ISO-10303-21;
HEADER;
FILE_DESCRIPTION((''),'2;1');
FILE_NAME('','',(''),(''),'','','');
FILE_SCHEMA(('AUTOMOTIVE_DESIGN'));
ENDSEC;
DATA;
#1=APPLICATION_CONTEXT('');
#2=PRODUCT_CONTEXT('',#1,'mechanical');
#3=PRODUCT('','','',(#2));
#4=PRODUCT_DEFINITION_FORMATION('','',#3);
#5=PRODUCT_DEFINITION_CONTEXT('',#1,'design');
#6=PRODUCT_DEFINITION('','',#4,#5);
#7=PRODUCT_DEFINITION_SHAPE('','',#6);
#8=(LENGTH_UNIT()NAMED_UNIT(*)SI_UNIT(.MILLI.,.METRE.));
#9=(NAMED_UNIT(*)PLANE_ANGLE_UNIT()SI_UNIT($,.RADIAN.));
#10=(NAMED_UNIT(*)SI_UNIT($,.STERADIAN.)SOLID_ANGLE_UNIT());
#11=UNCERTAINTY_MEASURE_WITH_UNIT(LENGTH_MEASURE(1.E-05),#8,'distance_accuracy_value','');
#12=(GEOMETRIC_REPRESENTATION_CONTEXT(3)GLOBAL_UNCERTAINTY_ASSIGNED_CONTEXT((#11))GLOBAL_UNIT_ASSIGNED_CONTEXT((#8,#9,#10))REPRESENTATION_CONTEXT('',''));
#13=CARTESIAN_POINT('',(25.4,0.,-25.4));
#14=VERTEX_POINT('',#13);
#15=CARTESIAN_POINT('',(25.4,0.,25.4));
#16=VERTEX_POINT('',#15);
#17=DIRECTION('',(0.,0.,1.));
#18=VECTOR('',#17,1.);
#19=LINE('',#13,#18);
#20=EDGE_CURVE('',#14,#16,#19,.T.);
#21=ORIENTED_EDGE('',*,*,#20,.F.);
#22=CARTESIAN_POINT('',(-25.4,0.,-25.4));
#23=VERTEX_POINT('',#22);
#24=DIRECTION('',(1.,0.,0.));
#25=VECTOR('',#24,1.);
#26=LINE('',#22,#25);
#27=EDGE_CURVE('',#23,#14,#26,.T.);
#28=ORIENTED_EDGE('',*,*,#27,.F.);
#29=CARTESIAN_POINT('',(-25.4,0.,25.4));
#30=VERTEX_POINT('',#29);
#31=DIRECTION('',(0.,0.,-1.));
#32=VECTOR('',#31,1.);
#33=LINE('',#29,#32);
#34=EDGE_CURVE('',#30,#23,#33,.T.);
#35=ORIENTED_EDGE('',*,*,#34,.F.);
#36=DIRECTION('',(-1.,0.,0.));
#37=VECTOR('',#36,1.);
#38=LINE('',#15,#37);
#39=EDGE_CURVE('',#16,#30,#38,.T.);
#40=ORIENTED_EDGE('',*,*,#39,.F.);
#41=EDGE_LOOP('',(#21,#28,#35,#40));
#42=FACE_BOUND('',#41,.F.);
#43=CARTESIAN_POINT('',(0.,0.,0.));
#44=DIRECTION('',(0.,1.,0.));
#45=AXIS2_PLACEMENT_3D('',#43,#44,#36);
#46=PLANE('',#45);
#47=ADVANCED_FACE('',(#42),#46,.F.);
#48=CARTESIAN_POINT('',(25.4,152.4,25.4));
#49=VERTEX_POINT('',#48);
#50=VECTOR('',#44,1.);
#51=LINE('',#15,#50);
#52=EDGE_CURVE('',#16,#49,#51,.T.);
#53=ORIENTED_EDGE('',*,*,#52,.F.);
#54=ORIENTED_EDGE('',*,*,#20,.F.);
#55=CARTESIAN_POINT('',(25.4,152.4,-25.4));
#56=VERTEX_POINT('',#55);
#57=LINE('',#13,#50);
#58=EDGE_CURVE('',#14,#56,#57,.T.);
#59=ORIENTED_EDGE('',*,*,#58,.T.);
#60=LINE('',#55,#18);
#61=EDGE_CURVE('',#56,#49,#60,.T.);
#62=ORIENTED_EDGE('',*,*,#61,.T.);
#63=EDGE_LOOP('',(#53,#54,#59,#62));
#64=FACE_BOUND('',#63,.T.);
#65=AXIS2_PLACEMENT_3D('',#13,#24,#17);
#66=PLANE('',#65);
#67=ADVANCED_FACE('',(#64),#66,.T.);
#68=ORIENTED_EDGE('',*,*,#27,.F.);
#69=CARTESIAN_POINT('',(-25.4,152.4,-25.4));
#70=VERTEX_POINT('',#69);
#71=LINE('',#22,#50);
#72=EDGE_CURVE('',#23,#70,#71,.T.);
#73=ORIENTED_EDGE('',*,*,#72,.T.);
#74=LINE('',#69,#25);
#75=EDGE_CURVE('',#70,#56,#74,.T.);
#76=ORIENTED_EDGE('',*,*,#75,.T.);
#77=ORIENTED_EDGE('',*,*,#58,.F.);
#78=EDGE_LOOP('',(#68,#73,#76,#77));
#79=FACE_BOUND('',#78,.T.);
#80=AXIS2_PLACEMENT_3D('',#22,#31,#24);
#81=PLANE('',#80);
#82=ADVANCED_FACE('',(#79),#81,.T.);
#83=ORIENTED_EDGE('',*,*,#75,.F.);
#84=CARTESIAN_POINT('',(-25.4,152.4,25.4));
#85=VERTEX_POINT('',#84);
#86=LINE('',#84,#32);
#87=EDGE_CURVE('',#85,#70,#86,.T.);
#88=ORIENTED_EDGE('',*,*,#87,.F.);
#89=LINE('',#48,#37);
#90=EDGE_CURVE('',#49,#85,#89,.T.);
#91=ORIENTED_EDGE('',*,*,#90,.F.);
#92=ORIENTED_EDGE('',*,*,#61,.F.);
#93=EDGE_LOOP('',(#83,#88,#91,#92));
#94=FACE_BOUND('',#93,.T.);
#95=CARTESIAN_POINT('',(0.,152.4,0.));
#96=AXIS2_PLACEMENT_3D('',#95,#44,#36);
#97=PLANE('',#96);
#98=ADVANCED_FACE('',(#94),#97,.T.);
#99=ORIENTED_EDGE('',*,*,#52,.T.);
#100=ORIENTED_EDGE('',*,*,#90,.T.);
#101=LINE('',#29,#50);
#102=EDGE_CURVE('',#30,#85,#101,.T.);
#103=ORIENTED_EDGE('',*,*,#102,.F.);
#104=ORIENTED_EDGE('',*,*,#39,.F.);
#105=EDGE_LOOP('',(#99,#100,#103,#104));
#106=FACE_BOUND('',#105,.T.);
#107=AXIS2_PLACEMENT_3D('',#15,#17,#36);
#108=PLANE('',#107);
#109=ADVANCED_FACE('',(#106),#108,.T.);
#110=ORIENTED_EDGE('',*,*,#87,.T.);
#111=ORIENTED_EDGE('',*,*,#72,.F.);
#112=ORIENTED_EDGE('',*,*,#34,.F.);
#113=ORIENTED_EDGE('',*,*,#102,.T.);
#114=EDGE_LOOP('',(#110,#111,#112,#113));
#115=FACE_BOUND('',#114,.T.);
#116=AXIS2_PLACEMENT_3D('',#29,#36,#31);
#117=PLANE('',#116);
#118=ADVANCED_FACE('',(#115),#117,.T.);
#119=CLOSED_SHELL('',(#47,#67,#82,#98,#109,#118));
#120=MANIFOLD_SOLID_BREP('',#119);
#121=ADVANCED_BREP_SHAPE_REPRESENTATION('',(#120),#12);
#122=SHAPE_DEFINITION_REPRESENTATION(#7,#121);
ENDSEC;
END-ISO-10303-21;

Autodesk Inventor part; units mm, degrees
ref_plane "YZ Plane" through (0, 0, 0) normal (1, 0, 0) x (0, 1, 0)
ref_plane "XZ Plane" through (0, 0, 0) normal (0, 1, 0) x (-1, 0, 0)
ref_plane "XY Plane" through (0, 0, 0) normal (0, 0, 1) x (1, 0, 0)
sketch "Sketch1" plane through (0, 0, 0) normal (0, 1, 0) x (-1, 0, 0)
  line L0 (-25.4, 25.4) -> (25.4, 25.4)
  line L1 (25.4, 25.4) -> (25.4, -25.4)
  line L2 (25.4, -25.4) -> (-25.4, -25.4)
  line L3 (-25.4, -25.4) -> (-25.4, 25.4)
  line L4 (-25.4, 25.4) -> (25.4, -25.4) construction
  line L5 (25.4, 25.4) -> (-25.4, -25.4) construction
  point P0 (0, 0)
  dimension "d0" = 50.8
  dimension "d1" = 50.8
extrude "Extrusion1" add sketch "Sketch1" along normal blind 152.4
properties part number "BX11111"
